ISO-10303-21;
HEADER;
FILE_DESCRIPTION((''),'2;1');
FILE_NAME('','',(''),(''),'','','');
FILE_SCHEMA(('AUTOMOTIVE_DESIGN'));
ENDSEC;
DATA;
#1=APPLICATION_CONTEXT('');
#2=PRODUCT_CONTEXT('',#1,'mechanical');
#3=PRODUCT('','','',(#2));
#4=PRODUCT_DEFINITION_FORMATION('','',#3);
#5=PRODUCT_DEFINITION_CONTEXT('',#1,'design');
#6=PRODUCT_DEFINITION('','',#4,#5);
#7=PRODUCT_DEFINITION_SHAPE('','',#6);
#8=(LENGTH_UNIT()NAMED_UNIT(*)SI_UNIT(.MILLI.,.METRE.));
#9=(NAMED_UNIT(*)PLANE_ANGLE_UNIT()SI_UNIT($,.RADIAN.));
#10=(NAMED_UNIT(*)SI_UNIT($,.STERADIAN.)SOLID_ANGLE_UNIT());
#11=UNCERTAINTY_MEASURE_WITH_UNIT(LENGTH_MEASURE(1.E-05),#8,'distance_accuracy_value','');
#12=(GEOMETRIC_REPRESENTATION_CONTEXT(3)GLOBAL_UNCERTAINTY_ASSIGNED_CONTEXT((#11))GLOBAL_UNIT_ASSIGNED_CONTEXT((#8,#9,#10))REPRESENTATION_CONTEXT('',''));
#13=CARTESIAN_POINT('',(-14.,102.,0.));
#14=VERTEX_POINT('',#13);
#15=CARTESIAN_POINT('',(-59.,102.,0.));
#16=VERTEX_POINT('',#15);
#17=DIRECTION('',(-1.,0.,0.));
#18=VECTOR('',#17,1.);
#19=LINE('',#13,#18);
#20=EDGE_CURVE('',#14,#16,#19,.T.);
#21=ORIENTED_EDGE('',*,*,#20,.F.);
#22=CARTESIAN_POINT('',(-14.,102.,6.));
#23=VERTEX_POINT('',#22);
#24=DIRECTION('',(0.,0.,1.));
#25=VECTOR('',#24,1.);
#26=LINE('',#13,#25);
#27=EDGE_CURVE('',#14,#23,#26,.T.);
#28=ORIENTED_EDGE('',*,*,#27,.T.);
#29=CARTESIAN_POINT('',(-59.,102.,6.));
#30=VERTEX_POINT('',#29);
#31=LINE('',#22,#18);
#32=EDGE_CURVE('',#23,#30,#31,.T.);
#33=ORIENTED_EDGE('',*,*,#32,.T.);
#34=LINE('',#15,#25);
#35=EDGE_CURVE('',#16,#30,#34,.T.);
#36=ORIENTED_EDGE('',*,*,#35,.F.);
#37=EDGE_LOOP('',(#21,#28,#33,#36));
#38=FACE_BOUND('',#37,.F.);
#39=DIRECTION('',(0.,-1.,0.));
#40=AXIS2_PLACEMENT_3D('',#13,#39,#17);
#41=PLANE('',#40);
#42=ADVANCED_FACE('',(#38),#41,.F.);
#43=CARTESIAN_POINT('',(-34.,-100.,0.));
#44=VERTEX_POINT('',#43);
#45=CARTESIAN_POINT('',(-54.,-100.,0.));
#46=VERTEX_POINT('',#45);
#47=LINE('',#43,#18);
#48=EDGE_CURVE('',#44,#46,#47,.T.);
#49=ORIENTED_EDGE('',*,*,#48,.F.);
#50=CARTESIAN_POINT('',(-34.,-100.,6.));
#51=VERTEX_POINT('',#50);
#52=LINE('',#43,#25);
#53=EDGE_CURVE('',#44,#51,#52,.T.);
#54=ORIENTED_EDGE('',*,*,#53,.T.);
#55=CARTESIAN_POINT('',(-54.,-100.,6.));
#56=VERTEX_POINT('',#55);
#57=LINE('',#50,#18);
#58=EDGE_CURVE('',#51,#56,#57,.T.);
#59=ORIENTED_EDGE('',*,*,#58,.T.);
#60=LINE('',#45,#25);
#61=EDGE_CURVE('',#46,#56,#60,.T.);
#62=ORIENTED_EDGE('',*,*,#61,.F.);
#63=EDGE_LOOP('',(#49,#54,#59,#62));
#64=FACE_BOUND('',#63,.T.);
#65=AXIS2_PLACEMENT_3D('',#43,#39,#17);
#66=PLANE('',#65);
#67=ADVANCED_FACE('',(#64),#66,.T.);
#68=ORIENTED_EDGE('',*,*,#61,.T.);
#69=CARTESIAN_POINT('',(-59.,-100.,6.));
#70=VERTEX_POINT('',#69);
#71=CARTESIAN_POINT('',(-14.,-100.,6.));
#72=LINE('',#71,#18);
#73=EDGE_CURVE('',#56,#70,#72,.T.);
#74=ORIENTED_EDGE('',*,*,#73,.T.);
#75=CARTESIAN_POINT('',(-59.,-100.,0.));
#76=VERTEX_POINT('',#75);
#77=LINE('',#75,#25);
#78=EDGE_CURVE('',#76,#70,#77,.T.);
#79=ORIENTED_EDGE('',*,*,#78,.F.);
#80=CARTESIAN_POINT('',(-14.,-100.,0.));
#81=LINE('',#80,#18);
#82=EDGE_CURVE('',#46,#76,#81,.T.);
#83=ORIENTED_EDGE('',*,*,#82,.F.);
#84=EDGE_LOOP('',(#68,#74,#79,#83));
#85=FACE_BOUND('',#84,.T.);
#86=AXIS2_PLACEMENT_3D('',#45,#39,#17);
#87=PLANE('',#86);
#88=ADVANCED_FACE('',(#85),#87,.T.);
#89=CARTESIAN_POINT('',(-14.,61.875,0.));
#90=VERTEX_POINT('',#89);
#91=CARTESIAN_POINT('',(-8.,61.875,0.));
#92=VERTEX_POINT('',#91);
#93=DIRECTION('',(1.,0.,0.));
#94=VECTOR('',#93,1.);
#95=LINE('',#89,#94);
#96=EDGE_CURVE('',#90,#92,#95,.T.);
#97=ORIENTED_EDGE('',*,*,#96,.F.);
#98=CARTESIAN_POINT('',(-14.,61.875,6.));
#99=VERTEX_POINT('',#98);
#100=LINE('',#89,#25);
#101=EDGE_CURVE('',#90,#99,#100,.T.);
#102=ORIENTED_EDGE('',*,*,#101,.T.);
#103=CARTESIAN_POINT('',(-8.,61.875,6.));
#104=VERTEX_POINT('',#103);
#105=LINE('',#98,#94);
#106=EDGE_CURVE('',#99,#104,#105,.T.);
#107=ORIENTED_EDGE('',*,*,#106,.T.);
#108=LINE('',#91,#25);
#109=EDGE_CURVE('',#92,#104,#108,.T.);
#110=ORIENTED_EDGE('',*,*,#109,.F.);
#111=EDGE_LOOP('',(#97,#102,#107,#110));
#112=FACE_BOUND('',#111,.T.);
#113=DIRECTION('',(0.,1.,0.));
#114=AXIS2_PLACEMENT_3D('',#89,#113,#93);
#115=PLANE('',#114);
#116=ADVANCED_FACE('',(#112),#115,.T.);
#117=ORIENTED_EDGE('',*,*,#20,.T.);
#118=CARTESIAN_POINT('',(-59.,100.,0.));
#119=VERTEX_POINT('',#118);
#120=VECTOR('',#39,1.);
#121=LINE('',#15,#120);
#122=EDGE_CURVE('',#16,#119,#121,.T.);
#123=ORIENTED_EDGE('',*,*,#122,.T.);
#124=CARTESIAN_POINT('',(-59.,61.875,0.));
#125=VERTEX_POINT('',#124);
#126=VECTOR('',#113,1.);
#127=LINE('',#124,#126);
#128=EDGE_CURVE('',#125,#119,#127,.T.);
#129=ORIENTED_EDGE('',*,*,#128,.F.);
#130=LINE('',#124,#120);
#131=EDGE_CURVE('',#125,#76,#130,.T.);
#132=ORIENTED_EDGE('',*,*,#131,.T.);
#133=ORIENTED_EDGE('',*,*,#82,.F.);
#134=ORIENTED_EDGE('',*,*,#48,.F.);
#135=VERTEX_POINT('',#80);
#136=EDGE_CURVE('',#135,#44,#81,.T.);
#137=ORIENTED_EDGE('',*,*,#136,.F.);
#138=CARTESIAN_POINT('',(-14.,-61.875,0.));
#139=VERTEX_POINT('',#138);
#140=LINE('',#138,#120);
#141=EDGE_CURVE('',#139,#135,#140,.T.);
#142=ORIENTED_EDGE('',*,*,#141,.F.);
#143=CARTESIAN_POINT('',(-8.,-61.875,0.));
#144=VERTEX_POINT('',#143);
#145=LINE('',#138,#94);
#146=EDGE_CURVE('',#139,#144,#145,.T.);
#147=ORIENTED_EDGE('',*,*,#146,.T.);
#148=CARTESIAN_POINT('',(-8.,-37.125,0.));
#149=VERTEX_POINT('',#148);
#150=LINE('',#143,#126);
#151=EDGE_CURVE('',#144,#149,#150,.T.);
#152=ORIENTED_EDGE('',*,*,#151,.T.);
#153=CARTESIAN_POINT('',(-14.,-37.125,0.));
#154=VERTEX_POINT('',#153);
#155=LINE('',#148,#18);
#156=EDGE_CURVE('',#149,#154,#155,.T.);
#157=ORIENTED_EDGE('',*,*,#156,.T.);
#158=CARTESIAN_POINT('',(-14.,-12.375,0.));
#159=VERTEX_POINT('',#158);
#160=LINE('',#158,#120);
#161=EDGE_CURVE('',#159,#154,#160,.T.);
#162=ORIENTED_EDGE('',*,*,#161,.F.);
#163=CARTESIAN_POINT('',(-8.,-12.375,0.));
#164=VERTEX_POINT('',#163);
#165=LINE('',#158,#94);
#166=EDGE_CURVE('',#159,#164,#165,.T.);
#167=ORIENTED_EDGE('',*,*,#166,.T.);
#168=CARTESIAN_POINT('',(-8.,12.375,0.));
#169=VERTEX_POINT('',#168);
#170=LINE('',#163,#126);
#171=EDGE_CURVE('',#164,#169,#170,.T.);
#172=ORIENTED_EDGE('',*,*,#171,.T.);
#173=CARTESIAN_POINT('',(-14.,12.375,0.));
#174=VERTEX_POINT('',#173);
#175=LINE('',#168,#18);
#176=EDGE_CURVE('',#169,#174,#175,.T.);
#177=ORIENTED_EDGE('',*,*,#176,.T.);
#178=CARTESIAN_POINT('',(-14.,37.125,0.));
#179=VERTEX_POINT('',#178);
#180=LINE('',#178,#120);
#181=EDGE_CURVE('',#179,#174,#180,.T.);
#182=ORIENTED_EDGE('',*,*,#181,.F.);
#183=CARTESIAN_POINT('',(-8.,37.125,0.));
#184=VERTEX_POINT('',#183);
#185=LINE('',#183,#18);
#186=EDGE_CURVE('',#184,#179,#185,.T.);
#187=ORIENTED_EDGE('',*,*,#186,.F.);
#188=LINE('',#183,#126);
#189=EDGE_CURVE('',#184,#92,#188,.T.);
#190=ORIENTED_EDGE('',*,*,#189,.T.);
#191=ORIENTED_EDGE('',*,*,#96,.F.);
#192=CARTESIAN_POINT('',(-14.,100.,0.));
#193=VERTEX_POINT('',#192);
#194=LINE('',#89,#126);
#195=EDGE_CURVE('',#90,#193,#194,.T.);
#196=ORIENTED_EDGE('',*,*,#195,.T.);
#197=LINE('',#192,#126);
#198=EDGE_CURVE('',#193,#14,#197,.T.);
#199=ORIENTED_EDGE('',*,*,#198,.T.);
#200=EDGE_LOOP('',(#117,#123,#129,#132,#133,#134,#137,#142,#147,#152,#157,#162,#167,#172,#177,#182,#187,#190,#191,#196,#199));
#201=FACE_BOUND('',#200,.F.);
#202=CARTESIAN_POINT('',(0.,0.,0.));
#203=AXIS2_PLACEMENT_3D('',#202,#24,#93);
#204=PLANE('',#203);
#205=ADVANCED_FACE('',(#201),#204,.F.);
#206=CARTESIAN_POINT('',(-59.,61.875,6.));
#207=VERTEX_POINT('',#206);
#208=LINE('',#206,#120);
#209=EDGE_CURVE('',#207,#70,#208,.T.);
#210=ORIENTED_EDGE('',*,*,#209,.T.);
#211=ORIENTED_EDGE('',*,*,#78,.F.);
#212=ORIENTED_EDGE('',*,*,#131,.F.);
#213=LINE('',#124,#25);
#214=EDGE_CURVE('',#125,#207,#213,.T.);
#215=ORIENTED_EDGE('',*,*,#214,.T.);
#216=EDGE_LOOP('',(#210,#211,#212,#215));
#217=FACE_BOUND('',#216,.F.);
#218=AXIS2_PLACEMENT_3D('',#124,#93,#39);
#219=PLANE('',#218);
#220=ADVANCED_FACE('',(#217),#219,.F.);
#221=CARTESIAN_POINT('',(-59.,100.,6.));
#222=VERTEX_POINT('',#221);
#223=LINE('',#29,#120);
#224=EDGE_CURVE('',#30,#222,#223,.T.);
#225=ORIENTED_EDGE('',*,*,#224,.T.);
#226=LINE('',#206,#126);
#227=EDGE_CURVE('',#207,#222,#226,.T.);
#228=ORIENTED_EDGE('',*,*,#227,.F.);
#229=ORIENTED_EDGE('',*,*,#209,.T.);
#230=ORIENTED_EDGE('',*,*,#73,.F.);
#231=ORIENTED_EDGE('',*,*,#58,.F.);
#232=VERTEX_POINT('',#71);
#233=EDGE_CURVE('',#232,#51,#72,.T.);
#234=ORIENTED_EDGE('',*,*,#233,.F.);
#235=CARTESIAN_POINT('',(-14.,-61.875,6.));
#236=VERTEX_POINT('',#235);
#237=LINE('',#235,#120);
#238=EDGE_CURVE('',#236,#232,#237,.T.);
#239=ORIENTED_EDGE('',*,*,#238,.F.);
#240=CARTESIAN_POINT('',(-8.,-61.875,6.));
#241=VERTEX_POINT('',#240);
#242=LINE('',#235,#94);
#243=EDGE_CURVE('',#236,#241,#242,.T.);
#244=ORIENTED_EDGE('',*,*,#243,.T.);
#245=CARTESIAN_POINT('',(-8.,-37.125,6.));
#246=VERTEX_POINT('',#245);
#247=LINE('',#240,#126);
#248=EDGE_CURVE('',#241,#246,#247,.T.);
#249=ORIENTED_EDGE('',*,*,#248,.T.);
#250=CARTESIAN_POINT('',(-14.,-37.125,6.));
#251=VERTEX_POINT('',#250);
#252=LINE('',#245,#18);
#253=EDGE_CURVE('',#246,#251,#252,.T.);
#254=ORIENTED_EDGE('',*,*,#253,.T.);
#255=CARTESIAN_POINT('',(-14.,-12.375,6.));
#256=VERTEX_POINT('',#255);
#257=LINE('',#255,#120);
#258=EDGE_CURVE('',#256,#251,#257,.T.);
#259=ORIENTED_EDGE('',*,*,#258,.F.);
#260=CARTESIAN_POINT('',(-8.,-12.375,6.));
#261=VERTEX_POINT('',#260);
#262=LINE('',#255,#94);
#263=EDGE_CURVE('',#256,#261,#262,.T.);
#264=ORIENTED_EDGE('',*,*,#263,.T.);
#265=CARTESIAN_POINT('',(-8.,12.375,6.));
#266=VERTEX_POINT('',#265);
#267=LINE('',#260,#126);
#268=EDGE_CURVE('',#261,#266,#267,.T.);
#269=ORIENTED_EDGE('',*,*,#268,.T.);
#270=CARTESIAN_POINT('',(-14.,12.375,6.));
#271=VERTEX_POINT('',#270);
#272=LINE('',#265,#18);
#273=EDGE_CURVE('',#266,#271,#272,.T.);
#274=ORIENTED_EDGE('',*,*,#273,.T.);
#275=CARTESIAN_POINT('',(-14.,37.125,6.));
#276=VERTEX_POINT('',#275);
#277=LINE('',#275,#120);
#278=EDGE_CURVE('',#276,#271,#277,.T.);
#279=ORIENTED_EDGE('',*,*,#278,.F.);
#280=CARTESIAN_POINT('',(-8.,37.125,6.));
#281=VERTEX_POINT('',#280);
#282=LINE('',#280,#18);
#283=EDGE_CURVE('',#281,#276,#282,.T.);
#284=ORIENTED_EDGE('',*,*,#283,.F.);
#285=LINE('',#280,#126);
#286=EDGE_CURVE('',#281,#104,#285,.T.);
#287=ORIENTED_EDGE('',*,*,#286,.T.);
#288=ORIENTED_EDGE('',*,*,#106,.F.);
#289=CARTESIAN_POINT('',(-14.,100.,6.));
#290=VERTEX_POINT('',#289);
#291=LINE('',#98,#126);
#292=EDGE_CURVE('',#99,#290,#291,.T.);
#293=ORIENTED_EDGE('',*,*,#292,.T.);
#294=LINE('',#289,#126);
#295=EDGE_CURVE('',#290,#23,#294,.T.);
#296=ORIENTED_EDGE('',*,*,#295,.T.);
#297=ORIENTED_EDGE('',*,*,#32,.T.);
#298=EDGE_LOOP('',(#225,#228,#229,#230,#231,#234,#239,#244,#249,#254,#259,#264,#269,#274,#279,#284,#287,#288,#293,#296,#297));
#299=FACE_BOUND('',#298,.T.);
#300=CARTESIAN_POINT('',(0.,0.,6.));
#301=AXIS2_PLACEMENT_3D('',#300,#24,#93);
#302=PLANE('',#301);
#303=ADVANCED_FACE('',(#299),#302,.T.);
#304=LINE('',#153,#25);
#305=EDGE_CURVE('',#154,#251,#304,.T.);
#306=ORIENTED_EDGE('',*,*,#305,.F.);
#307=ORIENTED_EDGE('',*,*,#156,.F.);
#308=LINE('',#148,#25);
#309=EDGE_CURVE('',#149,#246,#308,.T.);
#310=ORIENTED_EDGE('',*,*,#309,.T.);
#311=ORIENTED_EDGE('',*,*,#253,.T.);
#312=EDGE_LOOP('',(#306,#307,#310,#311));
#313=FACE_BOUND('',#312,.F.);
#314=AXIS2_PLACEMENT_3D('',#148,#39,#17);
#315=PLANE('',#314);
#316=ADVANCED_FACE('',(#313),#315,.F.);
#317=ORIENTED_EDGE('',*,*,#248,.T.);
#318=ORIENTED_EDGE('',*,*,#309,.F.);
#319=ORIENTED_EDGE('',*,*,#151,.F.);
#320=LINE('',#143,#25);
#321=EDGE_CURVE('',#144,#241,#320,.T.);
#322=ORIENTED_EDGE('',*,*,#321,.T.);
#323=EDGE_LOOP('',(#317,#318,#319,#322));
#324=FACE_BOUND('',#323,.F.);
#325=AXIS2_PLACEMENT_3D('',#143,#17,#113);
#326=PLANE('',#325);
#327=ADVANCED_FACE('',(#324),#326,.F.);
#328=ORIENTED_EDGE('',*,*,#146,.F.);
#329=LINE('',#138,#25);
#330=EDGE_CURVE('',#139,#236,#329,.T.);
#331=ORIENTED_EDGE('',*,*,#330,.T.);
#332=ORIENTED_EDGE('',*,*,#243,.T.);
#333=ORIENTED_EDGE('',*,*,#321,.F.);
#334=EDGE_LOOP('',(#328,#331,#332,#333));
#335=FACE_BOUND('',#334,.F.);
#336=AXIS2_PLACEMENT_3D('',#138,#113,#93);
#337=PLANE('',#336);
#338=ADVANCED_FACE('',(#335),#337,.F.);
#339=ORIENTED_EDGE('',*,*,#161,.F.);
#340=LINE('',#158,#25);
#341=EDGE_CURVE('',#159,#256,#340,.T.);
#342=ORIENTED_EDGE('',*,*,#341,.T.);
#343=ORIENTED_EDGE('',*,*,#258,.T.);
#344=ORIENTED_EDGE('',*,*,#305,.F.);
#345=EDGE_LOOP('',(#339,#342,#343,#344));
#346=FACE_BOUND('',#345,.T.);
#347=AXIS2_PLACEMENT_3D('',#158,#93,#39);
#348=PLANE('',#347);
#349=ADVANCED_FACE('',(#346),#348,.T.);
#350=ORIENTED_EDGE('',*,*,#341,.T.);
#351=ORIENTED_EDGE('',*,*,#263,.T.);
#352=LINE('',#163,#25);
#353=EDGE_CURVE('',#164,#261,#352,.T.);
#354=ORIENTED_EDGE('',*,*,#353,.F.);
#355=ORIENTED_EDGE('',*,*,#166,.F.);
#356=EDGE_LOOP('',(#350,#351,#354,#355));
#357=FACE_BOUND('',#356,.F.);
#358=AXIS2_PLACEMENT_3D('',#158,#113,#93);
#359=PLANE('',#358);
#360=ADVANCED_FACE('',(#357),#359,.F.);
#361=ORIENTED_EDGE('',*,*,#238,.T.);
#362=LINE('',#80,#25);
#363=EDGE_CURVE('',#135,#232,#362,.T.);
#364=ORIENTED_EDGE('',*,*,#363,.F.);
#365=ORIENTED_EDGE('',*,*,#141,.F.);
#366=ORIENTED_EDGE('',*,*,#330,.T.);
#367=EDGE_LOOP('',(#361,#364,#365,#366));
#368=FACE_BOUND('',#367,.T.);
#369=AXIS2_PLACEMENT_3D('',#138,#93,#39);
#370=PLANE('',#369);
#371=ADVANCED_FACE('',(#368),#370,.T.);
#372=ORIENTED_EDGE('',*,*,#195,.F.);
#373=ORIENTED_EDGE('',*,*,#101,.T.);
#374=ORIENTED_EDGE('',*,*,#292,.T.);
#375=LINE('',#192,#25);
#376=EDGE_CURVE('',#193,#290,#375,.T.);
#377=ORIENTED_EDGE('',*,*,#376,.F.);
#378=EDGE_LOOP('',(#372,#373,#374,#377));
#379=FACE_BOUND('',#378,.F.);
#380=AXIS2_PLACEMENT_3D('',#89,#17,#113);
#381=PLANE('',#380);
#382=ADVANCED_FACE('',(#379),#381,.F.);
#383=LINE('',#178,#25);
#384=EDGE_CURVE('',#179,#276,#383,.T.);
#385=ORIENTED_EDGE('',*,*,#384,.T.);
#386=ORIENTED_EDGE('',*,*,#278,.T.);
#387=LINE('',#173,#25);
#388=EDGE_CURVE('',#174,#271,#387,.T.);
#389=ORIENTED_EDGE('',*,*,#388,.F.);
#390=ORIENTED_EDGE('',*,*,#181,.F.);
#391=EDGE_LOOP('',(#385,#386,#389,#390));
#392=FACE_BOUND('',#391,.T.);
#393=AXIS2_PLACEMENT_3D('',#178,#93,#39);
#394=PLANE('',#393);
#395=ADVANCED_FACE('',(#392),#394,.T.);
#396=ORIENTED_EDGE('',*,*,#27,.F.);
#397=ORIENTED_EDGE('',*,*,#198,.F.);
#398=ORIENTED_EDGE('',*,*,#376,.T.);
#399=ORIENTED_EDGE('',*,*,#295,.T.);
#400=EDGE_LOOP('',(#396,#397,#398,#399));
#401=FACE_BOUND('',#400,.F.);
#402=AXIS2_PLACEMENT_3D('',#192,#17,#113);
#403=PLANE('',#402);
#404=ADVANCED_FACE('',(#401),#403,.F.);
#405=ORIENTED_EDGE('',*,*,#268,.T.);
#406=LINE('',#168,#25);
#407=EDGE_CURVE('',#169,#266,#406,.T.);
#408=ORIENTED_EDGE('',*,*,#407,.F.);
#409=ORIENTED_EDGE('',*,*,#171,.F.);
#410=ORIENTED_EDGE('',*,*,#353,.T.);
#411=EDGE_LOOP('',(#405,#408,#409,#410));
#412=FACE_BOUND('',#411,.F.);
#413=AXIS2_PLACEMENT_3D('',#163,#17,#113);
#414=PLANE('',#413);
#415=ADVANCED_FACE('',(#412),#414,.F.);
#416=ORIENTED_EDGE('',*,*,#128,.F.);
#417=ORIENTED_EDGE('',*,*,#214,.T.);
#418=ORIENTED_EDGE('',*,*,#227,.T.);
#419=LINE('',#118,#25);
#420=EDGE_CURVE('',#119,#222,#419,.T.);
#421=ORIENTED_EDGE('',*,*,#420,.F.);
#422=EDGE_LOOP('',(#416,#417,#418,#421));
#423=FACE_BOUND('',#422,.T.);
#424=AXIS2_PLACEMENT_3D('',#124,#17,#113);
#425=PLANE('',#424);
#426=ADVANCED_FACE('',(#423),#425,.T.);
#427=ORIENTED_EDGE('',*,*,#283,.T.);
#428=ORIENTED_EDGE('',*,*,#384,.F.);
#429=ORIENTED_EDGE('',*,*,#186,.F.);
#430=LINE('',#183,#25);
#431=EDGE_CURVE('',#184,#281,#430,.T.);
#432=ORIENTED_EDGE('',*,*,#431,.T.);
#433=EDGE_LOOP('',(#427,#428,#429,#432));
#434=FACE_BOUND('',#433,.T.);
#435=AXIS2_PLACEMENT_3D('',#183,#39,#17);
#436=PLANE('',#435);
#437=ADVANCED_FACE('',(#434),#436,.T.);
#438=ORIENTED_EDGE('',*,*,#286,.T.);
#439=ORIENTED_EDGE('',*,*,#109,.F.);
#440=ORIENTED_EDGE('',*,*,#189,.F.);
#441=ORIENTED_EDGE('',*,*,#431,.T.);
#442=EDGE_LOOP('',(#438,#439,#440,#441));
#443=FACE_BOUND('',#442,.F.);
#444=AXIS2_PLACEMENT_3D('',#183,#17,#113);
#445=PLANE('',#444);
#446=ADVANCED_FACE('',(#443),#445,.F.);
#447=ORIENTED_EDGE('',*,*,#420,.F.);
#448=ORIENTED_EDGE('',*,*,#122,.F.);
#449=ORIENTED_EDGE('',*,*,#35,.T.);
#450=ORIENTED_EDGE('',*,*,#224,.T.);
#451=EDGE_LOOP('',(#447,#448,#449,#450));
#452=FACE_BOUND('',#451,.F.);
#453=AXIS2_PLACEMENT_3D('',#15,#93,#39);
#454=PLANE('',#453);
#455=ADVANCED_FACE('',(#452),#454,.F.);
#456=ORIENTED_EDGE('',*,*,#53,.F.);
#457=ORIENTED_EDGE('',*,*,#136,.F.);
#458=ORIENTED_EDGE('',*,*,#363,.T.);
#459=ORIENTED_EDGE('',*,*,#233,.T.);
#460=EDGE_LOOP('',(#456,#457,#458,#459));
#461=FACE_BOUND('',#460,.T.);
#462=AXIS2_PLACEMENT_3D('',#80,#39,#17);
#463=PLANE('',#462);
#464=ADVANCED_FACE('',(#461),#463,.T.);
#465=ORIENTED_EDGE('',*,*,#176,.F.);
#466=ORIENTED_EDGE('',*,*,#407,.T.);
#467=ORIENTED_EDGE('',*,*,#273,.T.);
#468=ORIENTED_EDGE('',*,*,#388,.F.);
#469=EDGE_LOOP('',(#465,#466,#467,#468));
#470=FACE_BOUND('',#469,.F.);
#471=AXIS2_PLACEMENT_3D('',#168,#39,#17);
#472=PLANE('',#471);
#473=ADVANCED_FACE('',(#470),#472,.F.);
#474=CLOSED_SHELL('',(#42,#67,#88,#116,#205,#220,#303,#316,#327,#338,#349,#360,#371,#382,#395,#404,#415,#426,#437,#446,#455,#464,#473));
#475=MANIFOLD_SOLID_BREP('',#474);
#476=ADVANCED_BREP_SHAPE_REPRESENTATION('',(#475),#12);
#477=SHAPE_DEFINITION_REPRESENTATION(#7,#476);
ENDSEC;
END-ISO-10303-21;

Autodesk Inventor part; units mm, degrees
ref_plane "YZ Plane" through (0, 0, 0) normal (1, 0, 0) x (0, 1, 0)
ref_plane "XZ Plane" through (0, 0, 0) normal (0, 1, 0) x (-1, 0, 0)
ref_plane "XY Plane" through (0, 0, 0) normal (0, 0, 1) x (1, 0, 0)
sketch "Sketch1" plane through (0, 0, 0) normal (0, 0, 1) x (1, 0, 0)
  line L0 (-59, 61.875) -> (-59, 100)
  line L1 (-34, -100) -> (-54, -100)
  line L2 (-14, -12.375) -> (-8, -12.375)
  line L3 (-8, 37.125) -> (-14, 37.125)
  line L4 (-14, 61.875) -> (-8, 61.875)
  line L5 (-8, 12.375) -> (-14, 12.375)
  line L6 (-8, -37.125) -> (-14, -37.125)
  line L7 (-14, -61.875) -> (-8, -61.875)
  line L8 (-14, 61.875) -> (-14, 100)
  line L9 (-14, 37.125) -> (-14, 12.375)
  line L10 (-8, 37.125) -> (-8, 61.875)
  line L11 (-14, -12.375) -> (-14, -37.125)
  line L12 (-8, -61.875) -> (-8, -37.125)
  line L13 (-8, -12.375) -> (-8, 12.375)
  line L14 (-14, -61.875) -> (-14, -100)
  line L15 (-14, -100) -> (-59, -100)
  line L16 (-14, 100) -> (-14, 102)
  line L17 (-14, 102) -> (-59, 102)
  line L18 (-59, 102) -> (-59, 100)
  line L19 (-59, 61.875) -> (-59, -100)
  point P0 (-60, 61.875)
  point P1 (-60, 37.125)
  point P2 (-60, 12.375)
  point P3 (-60, -12.375)
  point P4 (-60, -37.125)
  point P5 (-60, -61.875)
  dimension "d23" = 45
extrude "Extrusion1" add sketch "Sketch1" along normal blind 6
properties part number "Side_2"
